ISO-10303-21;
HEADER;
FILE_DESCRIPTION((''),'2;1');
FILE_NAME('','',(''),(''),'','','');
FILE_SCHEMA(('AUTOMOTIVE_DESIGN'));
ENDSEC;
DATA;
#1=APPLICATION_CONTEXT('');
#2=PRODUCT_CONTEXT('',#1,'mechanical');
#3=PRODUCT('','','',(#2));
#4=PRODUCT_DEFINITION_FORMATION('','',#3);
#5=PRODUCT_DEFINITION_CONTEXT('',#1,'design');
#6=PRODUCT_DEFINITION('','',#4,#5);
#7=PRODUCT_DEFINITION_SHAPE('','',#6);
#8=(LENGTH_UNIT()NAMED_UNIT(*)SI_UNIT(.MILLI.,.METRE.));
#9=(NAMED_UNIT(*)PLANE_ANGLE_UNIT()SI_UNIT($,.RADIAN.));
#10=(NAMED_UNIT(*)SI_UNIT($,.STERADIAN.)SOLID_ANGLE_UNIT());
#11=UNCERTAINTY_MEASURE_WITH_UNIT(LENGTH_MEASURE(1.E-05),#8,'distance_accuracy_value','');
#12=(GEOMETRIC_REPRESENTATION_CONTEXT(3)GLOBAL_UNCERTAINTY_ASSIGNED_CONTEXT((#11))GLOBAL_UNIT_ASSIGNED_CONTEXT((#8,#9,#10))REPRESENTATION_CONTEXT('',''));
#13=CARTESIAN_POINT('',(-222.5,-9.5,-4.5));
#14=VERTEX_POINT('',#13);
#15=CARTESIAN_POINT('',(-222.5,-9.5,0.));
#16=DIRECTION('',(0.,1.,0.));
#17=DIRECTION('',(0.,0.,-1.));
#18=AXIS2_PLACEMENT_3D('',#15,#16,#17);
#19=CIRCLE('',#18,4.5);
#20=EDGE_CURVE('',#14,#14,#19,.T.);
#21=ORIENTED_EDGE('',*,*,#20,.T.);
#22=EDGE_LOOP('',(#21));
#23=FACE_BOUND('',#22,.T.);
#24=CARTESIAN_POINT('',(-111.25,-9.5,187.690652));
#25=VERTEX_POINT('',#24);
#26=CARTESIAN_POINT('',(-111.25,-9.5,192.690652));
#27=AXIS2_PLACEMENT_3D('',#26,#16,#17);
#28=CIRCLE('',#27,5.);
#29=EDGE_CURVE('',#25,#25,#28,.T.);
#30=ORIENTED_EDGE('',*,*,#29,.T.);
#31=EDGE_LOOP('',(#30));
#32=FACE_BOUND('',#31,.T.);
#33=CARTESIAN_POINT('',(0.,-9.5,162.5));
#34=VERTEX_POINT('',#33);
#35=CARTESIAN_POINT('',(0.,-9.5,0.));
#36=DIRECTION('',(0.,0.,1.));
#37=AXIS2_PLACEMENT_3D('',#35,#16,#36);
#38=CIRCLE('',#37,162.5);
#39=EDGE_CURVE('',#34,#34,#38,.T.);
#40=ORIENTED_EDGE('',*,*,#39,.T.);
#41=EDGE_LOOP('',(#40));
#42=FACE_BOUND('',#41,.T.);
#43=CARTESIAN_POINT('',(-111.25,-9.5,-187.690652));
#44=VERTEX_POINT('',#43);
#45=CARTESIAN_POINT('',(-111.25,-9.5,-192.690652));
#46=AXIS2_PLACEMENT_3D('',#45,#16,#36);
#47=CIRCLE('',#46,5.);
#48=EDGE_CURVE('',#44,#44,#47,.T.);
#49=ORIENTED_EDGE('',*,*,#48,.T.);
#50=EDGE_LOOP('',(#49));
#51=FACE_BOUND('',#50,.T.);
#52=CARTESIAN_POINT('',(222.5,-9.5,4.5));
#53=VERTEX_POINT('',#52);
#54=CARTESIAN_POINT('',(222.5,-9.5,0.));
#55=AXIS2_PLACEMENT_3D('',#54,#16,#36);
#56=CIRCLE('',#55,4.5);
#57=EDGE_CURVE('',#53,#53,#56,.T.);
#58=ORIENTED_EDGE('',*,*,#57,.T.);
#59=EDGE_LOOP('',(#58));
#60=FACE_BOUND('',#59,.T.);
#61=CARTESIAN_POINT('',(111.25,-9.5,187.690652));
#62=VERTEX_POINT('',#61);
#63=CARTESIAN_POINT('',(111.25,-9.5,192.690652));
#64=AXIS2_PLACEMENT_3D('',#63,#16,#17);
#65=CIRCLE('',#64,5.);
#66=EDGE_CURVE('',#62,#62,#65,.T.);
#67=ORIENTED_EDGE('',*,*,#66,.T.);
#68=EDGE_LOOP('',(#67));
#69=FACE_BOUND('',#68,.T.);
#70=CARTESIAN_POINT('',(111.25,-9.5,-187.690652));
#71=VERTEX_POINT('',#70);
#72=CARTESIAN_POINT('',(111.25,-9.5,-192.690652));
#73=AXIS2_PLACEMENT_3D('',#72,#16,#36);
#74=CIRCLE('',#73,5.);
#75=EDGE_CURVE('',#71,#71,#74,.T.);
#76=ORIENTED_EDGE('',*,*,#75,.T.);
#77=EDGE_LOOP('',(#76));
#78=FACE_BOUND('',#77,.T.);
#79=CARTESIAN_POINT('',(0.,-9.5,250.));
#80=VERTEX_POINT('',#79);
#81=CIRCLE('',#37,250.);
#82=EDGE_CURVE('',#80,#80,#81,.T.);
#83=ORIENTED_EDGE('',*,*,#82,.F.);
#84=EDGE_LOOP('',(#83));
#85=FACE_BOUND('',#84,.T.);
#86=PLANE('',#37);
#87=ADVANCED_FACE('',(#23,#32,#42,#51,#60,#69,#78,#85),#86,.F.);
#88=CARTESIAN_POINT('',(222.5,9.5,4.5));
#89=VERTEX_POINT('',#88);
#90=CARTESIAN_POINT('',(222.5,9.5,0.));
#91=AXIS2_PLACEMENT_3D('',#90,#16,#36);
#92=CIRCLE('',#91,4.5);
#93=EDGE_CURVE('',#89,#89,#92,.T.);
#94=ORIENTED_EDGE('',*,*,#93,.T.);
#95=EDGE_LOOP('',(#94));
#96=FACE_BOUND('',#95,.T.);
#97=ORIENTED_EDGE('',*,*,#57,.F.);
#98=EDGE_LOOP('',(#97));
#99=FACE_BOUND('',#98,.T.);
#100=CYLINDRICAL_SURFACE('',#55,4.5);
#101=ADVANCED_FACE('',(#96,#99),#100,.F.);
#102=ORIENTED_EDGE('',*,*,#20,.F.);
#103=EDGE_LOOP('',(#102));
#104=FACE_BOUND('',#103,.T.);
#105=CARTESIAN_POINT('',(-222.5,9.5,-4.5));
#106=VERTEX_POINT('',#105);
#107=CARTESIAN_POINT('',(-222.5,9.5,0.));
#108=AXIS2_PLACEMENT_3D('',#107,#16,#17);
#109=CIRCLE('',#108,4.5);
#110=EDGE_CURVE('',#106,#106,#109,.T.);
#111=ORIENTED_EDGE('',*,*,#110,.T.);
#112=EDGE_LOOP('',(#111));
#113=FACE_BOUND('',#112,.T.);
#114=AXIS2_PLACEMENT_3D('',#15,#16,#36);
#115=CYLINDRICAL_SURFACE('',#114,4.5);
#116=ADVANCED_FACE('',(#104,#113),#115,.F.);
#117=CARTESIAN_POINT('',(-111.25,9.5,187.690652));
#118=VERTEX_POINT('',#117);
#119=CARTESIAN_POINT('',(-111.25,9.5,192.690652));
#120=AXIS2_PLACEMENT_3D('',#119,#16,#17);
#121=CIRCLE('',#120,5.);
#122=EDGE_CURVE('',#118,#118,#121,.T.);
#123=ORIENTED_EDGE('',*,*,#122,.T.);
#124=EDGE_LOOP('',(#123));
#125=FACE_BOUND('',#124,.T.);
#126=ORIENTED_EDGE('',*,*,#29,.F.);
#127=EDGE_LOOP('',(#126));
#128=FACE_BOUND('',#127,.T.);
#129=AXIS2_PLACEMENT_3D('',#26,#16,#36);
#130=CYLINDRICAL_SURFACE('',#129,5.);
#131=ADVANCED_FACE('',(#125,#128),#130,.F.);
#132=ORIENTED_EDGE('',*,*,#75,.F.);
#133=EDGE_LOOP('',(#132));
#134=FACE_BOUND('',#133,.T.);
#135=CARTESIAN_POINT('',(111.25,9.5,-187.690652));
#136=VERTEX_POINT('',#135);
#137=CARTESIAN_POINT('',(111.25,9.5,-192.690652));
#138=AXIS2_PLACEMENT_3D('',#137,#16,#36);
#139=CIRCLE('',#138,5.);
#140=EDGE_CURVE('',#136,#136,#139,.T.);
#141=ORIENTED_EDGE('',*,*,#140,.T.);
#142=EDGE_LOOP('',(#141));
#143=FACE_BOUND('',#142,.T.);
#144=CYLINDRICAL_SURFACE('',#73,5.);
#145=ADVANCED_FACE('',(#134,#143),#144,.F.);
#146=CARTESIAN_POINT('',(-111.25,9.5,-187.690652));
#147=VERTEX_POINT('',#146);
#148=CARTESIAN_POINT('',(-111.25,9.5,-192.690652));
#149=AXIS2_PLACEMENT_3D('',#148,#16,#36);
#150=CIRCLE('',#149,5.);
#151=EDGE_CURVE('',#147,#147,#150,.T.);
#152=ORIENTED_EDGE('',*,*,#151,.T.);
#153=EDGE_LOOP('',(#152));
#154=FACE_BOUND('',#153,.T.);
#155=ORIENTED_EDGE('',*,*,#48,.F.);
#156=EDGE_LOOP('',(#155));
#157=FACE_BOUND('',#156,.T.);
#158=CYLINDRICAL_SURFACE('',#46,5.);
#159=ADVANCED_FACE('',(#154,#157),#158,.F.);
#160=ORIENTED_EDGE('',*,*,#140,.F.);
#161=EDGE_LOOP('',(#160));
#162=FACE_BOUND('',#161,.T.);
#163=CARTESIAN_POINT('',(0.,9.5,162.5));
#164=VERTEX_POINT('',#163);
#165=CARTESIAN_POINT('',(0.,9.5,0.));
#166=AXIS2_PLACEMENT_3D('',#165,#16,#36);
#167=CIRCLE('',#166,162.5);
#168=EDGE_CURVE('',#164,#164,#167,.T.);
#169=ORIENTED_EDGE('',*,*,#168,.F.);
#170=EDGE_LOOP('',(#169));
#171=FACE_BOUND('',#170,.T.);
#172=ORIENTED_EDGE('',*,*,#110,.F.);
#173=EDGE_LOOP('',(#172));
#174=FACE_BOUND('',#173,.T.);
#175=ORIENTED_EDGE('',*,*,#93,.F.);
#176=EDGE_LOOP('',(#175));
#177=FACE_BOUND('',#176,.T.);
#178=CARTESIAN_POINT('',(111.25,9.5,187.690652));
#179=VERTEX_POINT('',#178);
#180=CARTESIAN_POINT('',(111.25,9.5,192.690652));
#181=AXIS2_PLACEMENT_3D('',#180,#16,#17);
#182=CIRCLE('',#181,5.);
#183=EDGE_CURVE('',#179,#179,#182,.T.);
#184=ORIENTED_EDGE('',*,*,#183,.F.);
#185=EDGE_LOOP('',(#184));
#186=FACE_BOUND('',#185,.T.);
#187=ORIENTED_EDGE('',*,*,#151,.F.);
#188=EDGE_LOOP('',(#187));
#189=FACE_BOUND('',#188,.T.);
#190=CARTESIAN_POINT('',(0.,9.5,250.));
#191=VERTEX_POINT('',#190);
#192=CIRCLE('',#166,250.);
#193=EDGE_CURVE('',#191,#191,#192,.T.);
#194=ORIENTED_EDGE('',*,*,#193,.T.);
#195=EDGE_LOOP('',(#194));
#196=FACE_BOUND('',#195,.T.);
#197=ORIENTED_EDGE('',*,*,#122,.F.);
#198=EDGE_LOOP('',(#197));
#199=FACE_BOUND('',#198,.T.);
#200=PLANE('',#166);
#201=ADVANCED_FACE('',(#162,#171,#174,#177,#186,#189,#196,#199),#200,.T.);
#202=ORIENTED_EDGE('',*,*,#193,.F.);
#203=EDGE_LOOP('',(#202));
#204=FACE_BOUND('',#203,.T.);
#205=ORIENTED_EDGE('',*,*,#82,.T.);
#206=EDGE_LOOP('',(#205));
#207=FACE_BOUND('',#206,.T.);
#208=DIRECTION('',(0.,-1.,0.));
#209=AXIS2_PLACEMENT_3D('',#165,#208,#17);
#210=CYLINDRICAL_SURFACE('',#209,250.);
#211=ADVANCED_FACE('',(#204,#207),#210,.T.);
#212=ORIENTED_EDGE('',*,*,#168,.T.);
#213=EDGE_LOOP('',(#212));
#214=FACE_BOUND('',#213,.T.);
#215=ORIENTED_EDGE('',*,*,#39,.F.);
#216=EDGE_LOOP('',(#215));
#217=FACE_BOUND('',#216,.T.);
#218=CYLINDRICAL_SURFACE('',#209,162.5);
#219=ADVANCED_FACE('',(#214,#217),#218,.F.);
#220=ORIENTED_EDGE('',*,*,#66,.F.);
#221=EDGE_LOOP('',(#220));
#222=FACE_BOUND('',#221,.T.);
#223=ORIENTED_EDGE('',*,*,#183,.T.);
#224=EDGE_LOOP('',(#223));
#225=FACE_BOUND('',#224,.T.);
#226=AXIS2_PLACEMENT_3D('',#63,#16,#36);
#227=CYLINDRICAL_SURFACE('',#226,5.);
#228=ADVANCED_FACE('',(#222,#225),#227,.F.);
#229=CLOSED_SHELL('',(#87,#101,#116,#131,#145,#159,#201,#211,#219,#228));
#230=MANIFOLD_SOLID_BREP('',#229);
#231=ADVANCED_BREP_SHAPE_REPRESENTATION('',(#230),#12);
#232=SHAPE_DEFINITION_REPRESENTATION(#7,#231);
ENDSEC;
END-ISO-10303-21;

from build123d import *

# Parameters (mm, degrees)
SKETCH1_R           = 250
SKETCH1_R_2         = 162.5
BOSS_EXTRUDE1_DEPTH = 9.5
SKETCH2_R           = 5
SKETCH2_R_2         = 4.5
CUT_EXTRUDE1_DEPTH  = 355.063553617


with BuildPart() as part:
    # Sketch1 → Boss-Extrude1 (new, symmetric)
    with BuildSketch(Plane(origin=(0, 0, 0), x_dir=(1, 0, 0), z_dir=(0, 1, 0))):
        with Locations(Location((0, 0, 0), (0, 0, 270))):
            Circle(SKETCH1_R)
        with Locations(Location((0, 0, 0), (0, 0, 270))):
            Circle(SKETCH1_R_2, mode=Mode.SUBTRACT)
    extrude(amount=BOSS_EXTRUDE1_DEPTH, both=True)

    # Sketch2 → Cut-Extrude1 (cut, through all)
    with BuildSketch(Plane(origin=(0, 9.5, 0), x_dir=(1, 0, 0), z_dir=(0, 1, 0))):
        with Locations(Location((-111.25, 192.690652342, 0), (0, 0, 270))):
            Circle(SKETCH2_R)
        with Locations(Location((111.25, 192.690652342, 0), (0, 0, 270))):
            Circle(SKETCH2_R)
        with Locations(Location((222.5, 0, 0), (0, 0, 270))):
            Circle(SKETCH2_R_2)
        with Locations(Location((-111.25, -192.690652342, 0), (0, 0, 90))):
            Circle(SKETCH2_R)
        with Locations(Location((-222.5, 0, 0), (0, 0, 90))):
            Circle(SKETCH2_R_2)
        with Locations(Location((111.25, -192.690652342, 0), (0, 0, 90))):
            Circle(SKETCH2_R)
    extrude(amount=-CUT_EXTRUDE1_DEPTH, mode=Mode.SUBTRACT)


solid = part.part
